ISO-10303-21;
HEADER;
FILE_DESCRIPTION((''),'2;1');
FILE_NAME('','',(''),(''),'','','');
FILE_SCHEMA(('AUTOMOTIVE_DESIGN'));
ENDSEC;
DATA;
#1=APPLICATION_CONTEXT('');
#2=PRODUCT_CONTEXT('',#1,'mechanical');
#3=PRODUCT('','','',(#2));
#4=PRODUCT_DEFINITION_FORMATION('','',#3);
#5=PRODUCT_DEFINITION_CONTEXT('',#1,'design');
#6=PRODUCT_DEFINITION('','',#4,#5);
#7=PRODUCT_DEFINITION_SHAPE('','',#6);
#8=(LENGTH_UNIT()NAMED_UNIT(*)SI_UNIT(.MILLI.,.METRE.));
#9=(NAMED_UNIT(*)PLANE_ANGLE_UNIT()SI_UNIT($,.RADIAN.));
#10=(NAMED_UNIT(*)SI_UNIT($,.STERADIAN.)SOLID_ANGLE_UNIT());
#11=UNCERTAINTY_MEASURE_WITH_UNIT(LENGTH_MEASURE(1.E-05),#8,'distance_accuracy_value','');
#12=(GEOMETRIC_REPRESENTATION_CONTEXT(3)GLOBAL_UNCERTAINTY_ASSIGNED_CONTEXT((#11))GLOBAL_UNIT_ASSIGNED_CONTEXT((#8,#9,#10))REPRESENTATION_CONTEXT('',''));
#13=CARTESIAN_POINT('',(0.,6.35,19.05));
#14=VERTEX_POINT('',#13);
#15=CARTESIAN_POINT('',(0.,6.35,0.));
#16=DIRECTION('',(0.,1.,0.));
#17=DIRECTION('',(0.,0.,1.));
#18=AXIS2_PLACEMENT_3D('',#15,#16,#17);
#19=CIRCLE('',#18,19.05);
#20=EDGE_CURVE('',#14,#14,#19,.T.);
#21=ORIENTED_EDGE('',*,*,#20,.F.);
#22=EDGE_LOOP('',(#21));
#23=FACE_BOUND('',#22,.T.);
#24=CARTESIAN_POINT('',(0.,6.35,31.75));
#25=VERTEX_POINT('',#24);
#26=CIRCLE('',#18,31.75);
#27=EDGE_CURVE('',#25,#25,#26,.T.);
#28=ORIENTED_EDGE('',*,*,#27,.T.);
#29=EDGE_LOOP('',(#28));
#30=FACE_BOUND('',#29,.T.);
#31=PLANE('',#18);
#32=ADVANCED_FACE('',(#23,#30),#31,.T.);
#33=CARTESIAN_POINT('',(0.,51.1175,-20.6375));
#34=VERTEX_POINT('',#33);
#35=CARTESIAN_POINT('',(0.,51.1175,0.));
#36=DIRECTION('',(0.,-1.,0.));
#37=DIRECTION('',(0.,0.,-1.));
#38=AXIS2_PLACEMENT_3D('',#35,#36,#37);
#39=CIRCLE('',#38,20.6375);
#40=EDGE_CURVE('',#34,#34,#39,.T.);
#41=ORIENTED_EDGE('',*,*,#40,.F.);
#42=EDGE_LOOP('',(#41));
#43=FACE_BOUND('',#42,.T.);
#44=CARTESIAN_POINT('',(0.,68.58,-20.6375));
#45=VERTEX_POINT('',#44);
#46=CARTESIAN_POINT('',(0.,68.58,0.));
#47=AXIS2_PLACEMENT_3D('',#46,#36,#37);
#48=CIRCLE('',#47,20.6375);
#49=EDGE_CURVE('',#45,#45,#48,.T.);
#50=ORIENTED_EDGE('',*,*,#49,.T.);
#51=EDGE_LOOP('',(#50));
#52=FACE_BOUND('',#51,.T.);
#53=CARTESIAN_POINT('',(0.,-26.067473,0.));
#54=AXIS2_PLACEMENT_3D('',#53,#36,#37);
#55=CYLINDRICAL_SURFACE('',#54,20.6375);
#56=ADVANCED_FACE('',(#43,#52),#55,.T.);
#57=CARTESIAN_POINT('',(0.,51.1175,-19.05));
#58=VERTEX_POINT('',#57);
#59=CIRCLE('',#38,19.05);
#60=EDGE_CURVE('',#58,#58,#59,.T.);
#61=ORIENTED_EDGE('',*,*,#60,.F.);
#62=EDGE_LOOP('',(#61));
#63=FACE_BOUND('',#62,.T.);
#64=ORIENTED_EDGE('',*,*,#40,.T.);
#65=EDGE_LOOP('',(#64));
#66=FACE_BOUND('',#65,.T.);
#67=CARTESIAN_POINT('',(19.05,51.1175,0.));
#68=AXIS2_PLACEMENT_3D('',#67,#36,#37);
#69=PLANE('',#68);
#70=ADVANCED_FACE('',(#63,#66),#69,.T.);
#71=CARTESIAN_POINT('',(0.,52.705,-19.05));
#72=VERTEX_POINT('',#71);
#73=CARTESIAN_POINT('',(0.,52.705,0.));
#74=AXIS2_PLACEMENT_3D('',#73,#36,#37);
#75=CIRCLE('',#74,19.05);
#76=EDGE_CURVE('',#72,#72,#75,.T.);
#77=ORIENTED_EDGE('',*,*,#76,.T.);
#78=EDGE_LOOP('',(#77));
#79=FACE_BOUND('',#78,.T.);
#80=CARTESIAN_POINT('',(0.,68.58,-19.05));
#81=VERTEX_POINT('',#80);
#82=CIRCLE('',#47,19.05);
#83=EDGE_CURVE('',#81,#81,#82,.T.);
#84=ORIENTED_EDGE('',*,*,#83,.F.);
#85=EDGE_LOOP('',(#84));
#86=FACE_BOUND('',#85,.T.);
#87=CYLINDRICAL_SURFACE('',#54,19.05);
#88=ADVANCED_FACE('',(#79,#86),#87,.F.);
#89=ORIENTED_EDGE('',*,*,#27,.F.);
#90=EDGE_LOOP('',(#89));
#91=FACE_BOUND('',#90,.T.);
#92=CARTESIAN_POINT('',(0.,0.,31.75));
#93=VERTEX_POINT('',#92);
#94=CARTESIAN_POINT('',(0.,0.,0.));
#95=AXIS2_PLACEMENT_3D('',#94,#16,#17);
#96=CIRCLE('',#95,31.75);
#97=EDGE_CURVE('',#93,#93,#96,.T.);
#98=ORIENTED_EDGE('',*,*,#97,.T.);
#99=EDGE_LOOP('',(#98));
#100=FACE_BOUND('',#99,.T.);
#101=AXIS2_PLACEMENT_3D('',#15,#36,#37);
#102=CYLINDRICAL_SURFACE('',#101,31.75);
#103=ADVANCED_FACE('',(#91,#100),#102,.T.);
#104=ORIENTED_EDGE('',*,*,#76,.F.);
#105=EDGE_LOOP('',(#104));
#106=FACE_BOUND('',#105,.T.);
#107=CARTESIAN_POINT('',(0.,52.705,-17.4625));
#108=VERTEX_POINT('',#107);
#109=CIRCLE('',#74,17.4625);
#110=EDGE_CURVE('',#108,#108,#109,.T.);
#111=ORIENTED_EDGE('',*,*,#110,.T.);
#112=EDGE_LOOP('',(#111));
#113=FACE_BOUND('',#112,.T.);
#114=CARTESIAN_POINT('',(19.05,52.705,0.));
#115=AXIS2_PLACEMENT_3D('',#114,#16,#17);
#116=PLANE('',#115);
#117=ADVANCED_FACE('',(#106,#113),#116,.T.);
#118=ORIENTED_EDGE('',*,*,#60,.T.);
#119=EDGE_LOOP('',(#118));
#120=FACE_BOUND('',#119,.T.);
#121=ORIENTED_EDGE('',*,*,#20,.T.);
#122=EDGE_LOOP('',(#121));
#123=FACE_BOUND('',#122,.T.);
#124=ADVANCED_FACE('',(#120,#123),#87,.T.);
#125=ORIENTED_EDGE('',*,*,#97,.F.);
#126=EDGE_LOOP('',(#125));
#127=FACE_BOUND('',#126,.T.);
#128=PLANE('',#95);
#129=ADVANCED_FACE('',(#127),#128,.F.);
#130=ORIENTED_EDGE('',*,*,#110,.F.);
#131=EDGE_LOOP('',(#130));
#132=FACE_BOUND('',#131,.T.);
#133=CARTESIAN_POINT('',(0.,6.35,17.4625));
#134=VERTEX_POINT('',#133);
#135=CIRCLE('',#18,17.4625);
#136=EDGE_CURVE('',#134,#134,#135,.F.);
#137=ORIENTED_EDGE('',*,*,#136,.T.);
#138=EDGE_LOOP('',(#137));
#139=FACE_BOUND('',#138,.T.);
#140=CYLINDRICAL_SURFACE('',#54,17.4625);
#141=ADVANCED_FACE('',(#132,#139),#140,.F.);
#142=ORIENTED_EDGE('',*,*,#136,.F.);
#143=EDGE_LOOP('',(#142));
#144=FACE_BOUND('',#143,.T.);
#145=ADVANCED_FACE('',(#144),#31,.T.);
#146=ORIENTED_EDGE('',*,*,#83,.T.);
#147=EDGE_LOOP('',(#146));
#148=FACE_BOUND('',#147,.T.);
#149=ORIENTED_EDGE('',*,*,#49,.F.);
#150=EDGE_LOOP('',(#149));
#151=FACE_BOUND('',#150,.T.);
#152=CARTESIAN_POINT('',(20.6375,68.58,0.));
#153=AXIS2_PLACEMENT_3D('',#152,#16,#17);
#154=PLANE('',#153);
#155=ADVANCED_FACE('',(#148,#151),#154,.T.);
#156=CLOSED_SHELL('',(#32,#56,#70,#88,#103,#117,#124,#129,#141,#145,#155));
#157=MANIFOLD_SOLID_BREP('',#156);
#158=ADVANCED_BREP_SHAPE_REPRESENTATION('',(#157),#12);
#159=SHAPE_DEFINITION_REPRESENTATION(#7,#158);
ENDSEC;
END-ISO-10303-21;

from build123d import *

# Parameters (mm, degrees)
SKETCH1_R           = 31.75
BOSS_EXTRUDE1_DEPTH = 6.35


with BuildPart() as part:
    # Sketch1 → Boss-Extrude1 (new body)
    with BuildSketch(Plane(origin=(0, 0, 0), x_dir=(1, 0, 0), z_dir=(0, 1, 0))):
        Circle(SKETCH1_R)
    extrude(amount=BOSS_EXTRUDE1_DEPTH)

    # Sketch2 → Revolve1 (revolve)
    with BuildSketch(Plane.XY):
        Polygon((19.05, 6.35), (19.05, 51.1175), (20.6375, 51.1175), (20.6375, 68.58), (19.05, 68.58), (19.05, 52.705), (17.4625, 52.705), (17.4625, 6.35), align=None)
    revolve(axis=Axis((0, -26.067472827, 0), (0, 1, 0)))


solid = part.part
